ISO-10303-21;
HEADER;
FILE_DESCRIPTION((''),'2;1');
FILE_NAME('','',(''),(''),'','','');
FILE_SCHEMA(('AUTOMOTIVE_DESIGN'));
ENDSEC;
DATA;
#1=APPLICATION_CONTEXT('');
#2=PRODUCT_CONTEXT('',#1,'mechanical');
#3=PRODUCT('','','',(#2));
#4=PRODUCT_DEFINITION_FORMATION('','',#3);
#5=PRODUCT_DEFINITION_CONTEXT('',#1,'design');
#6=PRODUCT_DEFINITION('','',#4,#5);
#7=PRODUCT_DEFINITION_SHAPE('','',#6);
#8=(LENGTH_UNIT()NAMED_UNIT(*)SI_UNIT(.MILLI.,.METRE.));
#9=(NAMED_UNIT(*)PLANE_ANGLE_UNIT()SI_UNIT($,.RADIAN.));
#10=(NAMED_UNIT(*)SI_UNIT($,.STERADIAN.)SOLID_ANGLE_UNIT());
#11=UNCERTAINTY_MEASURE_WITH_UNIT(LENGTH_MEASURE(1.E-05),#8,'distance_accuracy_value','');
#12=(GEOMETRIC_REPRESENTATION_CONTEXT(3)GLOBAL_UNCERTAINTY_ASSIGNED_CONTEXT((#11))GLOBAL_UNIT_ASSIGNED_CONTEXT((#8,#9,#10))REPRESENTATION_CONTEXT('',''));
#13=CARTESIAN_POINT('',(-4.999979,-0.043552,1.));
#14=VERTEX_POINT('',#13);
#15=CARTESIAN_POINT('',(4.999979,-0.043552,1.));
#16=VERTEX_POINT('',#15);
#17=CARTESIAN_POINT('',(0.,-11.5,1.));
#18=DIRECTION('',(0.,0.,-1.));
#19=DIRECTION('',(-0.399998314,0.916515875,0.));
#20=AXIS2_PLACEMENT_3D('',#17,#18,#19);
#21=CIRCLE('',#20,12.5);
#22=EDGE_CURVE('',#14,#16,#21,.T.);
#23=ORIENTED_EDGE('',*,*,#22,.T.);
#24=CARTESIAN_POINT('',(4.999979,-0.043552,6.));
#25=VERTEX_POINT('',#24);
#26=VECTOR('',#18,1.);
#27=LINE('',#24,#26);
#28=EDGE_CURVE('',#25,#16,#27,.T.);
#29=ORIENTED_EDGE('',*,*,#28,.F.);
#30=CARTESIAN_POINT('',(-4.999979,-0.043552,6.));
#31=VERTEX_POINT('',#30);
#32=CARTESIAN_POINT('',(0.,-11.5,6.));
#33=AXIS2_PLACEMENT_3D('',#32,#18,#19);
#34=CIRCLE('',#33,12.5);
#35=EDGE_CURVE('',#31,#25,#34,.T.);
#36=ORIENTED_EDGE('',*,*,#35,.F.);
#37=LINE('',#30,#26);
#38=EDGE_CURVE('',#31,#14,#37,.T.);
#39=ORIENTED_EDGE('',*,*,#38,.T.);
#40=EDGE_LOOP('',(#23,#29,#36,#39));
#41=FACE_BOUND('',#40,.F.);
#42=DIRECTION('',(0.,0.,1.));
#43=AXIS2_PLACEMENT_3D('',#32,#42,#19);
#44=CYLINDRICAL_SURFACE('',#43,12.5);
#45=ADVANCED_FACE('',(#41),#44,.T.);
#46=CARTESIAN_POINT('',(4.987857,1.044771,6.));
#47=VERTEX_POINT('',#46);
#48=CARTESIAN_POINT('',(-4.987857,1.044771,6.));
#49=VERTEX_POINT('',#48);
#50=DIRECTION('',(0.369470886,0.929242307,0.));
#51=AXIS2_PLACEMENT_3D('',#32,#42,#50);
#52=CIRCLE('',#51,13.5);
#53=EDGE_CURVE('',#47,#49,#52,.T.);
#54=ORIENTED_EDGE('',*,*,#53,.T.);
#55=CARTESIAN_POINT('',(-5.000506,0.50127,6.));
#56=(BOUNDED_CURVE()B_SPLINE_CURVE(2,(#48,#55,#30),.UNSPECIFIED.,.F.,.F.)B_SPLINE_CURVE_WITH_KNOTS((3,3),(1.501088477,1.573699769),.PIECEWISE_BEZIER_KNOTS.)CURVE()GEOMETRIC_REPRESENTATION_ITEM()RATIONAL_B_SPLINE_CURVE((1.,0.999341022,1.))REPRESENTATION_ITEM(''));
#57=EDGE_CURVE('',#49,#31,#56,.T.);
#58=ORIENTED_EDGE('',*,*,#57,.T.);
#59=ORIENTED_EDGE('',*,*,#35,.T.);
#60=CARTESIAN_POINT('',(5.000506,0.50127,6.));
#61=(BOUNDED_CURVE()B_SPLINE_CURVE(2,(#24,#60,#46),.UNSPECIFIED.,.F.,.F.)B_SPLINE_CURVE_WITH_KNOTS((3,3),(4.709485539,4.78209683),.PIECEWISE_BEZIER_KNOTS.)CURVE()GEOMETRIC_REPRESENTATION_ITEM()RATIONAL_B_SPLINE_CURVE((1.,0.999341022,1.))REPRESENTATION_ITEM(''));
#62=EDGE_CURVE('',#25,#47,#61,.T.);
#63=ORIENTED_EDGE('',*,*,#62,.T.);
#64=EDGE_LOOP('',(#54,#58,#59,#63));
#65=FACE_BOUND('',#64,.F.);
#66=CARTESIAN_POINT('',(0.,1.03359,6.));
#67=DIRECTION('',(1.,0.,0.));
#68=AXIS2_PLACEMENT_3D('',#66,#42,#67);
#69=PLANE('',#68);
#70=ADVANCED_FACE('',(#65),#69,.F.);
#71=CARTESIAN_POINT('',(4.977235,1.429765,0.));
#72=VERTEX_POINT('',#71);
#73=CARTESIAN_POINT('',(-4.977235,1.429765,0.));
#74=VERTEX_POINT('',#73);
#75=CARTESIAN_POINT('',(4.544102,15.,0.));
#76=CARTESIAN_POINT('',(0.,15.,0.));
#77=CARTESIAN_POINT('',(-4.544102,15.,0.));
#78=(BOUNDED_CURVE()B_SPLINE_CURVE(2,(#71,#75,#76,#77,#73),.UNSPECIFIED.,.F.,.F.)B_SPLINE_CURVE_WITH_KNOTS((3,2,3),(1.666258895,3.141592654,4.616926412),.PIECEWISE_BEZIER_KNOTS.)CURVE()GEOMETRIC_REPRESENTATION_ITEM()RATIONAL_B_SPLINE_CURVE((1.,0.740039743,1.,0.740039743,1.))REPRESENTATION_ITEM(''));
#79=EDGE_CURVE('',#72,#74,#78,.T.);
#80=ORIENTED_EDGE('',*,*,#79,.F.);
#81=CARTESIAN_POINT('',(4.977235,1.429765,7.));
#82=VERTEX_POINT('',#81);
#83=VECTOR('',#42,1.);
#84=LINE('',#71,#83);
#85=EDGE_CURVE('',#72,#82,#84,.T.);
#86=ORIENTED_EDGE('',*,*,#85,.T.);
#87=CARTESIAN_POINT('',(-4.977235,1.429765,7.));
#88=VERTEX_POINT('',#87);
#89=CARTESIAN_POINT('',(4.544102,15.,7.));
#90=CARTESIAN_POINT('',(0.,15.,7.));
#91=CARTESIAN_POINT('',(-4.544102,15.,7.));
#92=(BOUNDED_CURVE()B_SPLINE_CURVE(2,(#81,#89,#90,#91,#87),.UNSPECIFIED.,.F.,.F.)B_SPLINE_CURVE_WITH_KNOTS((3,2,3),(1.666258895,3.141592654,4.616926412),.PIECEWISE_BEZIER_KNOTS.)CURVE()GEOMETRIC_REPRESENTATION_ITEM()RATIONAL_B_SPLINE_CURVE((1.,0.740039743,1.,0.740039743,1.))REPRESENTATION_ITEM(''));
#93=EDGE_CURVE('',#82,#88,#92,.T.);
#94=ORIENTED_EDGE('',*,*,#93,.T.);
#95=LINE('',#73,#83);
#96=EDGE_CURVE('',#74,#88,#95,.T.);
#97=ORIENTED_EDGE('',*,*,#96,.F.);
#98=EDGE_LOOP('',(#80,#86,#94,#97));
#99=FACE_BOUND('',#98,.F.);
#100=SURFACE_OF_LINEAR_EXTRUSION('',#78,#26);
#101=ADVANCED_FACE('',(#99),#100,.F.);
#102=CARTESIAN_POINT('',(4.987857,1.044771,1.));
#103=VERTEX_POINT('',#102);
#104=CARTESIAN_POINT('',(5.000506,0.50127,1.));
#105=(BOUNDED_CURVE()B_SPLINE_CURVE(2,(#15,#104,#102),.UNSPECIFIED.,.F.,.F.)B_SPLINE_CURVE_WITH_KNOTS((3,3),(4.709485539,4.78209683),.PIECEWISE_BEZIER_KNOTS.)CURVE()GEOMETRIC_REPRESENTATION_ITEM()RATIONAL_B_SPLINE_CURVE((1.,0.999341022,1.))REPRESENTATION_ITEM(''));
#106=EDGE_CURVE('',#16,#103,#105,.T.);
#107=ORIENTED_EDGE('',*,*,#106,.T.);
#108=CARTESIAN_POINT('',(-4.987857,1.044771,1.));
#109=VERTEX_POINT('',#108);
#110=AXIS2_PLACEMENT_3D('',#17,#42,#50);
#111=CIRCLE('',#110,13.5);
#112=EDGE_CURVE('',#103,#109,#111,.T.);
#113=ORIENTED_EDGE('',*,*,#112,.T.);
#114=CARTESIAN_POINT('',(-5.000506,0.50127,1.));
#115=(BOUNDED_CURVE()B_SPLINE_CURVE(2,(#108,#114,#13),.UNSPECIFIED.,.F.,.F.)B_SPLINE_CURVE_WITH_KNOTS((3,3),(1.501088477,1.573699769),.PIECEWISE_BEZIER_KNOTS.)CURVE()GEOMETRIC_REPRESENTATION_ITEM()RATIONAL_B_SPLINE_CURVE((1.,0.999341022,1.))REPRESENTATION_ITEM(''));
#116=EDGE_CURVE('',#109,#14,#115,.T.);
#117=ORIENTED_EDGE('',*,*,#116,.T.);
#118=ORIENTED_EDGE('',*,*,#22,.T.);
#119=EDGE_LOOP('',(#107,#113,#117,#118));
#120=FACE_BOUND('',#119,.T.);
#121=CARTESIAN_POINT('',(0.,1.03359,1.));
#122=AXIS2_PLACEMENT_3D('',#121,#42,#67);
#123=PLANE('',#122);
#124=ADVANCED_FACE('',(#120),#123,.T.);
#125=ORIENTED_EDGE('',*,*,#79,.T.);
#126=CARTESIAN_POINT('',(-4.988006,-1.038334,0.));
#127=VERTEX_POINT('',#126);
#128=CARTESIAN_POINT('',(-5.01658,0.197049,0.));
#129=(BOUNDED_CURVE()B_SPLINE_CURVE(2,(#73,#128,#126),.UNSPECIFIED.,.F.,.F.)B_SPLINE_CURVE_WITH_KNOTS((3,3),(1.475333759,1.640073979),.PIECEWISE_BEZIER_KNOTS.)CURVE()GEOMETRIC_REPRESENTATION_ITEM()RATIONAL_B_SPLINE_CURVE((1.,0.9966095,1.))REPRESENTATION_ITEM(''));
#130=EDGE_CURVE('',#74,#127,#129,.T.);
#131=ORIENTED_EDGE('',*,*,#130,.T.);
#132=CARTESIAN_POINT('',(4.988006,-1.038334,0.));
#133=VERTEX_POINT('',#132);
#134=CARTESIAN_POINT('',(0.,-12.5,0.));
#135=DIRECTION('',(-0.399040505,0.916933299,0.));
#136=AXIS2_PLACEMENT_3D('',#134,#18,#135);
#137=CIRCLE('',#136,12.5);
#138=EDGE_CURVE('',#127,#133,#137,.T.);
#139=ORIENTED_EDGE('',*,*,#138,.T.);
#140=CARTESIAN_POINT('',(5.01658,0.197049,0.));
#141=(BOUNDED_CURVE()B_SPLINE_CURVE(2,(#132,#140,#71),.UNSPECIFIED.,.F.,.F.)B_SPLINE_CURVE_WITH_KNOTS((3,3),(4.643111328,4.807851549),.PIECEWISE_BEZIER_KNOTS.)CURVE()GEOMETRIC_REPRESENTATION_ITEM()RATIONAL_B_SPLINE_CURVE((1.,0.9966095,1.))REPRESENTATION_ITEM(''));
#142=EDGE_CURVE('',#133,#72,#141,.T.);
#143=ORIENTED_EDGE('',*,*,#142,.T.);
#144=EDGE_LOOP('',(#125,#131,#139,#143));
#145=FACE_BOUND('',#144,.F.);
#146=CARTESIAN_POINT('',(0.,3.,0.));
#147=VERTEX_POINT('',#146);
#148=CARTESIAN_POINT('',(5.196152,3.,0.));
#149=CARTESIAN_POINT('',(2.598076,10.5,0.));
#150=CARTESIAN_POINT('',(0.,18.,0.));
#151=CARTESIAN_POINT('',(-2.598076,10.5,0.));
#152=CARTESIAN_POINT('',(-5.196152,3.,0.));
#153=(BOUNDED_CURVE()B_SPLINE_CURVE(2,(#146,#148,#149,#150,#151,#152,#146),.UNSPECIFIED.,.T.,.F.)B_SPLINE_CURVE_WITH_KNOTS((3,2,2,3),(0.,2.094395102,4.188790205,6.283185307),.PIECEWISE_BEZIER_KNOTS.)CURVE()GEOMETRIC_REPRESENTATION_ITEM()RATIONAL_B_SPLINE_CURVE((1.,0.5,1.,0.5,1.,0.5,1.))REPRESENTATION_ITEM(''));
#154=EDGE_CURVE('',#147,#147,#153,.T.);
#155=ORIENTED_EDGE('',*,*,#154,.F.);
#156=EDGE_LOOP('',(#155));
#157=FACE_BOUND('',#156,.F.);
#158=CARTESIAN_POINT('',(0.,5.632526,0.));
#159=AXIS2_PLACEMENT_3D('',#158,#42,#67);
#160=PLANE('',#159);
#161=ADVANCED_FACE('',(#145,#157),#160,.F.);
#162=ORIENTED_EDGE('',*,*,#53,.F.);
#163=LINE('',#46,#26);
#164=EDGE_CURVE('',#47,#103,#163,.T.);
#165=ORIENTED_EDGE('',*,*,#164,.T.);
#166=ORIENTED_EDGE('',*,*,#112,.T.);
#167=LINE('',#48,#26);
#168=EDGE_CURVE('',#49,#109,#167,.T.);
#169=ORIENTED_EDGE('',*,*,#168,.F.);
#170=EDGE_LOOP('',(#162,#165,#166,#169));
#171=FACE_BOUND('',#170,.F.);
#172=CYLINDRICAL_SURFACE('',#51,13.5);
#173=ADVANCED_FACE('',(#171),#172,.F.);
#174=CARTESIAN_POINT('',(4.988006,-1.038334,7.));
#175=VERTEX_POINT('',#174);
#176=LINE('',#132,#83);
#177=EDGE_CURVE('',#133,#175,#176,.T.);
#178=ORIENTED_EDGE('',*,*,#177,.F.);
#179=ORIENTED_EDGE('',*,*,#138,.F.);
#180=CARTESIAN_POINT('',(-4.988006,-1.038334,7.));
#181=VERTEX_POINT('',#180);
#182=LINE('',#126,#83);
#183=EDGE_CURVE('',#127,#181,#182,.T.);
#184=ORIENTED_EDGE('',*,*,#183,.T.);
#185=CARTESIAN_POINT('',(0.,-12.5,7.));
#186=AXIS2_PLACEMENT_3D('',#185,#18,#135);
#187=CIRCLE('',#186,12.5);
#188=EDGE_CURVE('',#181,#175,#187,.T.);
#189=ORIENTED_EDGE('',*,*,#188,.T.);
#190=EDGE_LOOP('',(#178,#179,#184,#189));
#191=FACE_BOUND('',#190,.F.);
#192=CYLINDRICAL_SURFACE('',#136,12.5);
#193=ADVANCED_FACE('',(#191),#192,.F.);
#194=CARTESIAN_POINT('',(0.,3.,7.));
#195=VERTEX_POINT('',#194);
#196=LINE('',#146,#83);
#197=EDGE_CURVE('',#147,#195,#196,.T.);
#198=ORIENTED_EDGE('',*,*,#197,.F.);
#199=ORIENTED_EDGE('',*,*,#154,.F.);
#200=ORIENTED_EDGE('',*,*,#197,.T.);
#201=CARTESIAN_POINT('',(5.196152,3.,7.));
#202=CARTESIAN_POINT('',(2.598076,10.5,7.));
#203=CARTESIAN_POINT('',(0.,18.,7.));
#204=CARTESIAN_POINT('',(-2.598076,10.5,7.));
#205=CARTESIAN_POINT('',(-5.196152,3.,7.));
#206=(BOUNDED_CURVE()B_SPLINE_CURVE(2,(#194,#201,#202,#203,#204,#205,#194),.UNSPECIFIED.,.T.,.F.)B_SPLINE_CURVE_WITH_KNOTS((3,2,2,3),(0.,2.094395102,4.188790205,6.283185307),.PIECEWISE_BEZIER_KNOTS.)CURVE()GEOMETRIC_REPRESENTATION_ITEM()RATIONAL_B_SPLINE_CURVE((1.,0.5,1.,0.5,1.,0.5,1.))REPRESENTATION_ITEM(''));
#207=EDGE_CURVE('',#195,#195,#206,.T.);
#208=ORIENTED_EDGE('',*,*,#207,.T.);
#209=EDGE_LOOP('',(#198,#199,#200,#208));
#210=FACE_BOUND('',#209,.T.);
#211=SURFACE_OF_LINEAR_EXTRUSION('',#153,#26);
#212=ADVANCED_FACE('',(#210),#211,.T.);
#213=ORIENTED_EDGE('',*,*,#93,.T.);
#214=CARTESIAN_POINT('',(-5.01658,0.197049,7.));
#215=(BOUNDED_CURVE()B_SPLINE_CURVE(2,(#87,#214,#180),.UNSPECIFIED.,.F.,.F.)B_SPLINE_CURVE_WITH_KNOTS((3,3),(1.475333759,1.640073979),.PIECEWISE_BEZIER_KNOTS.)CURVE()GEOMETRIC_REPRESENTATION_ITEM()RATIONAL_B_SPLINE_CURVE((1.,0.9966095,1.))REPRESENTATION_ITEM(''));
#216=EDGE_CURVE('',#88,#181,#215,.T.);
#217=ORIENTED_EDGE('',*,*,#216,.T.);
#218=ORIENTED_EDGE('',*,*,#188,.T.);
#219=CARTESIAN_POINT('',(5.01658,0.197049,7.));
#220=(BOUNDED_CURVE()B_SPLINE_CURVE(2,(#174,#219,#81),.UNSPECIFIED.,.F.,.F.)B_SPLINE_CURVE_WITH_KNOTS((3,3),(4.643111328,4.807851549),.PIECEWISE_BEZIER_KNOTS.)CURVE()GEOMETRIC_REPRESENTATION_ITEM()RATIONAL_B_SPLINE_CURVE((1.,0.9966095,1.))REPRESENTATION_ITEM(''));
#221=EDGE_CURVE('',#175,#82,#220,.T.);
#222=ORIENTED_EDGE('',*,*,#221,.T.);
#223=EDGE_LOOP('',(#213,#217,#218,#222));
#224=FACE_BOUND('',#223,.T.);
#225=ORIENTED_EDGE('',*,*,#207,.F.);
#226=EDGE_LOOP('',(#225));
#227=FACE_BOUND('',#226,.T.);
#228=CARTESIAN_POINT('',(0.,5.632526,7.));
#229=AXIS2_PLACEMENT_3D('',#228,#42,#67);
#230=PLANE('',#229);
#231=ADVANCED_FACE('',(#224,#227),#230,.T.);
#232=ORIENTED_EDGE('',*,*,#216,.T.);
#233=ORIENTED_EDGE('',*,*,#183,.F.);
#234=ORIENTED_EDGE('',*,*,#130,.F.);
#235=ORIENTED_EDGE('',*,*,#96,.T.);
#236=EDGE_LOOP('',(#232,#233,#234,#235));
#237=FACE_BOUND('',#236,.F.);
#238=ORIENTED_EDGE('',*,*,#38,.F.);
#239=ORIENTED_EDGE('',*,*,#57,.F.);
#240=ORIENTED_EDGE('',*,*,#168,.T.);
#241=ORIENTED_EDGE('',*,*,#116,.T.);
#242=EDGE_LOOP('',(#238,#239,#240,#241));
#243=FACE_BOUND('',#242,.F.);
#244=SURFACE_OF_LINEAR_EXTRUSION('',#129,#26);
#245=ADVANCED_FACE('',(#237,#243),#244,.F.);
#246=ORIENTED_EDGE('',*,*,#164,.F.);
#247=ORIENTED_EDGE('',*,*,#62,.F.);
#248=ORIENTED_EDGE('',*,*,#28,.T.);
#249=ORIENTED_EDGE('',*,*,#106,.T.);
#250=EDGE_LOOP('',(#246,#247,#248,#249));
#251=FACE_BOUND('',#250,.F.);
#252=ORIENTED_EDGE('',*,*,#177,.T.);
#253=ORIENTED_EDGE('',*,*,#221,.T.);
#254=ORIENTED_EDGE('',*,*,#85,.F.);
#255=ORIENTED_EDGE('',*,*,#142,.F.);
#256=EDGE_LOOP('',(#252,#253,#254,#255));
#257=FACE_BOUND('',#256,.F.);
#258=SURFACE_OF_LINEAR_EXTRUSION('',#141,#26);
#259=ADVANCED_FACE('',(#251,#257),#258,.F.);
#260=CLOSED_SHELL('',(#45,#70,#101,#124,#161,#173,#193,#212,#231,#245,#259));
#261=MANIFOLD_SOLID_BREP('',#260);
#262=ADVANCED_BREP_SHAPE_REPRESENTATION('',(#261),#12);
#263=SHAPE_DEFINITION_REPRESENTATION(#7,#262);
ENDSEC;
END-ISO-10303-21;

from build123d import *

# Parameters (mm, degrees)
F1_DEPTH = 7
F4_DEPTH = 5


with BuildPart() as f1:
    # F0 (on Top) → F1 (new body)
    with BuildSketch(Plane.XY):
        with BuildLine():
            add(Edge.make_bspline(
                [(4.9880063152, -1.0383337599), (5.0165801896, 0.1970493534), (4.9772345417, 1.4297646139)],
                knots=[4.6431113279, 4.6431113279, 4.6431113279, 4.8078515486, 4.8078515486, 4.8078515486], degree=2, weights=[1, 0.9966095001, 1]))
            add(Edge.make_bspline(
                [(4.9772345417, 1.4297646139), (4.544101506, 15), (0, 15), (-4.544101506, 15), (-4.9772345417, 1.4297646139)],
                knots=[1.666258895, 1.666258895, 1.666258895, 3.1415926536, 3.1415926536, 4.6169264122, 4.6169264122, 4.6169264122], degree=2, weights=[1, 0.7400397425, 1, 0.7400397425, 1]))
            add(Edge.make_bspline(
                [(-4.9772345417, 1.4297646139), (-5.0165801896, 0.1970493534), (-4.9880063152, -1.0383337599)],
                knots=[1.4753337586, 1.4753337586, 1.4753337586, 1.6400739793, 1.6400739793, 1.6400739793], degree=2, weights=[1, 0.9966095001, 1]))
            ThreePointArc((-4.9880063152, -1.0383337599), (0, 0), (4.9880063152, -1.0383337599))
        make_face()
        with BuildLine():
            add(Edge.make_bspline(
                [(0, 3), (5.1961524227, 3), (2.5980762114, 10.5), (0, 18), (-2.5980762114, 10.5), (-5.1961524227, 3), (0, 3)],
                knots=[0, 0, 0, 2.0943951024, 2.0943951024, 4.1887902048, 4.1887902048, 6.2831853072, 6.2831853072, 6.2831853072], degree=2, weights=[1, 0.5, 1, 0.5, 1, 0.5, 1]))
        make_face(mode=Mode.SUBTRACT)
    extrude(amount=F1_DEPTH)

    # F3 (on offset) → F4 (cut)
    with BuildSketch(Plane.XY.offset(6)):
        with BuildLine():
            ThreePointArc((-4.9999789251, -0.0435515648), (0, 1), (4.9999789251, -0.0435515648))
            add(Edge.make_bspline(
                [(4.9999789251, -0.0435515648), (5.0005062127, 0.5012702219), (4.9878569576, 1.0447711406)],
                knots=[4.7094855387, 4.7094855387, 4.7094855387, 4.7820968299, 4.7820968299, 4.7820968299], degree=2, weights=[1, 0.9993410224, 1]))
            ThreePointArc((4.9878569576, 1.0447711406), (0, 2), (-4.9878569576, 1.0447711406))
            add(Edge.make_bspline(
                [(-4.9878569576, 1.0447711406), (-5.0005062127, 0.5012702219), (-4.9999789251, -0.0435515648)],
                knots=[1.5010884773, 1.5010884773, 1.5010884773, 1.5736997685, 1.5736997685, 1.5736997685], degree=2, weights=[1, 0.9993410224, 1]))
        make_face()
    extrude(amount=-F4_DEPTH, mode=Mode.SUBTRACT)


solid = f1.part
